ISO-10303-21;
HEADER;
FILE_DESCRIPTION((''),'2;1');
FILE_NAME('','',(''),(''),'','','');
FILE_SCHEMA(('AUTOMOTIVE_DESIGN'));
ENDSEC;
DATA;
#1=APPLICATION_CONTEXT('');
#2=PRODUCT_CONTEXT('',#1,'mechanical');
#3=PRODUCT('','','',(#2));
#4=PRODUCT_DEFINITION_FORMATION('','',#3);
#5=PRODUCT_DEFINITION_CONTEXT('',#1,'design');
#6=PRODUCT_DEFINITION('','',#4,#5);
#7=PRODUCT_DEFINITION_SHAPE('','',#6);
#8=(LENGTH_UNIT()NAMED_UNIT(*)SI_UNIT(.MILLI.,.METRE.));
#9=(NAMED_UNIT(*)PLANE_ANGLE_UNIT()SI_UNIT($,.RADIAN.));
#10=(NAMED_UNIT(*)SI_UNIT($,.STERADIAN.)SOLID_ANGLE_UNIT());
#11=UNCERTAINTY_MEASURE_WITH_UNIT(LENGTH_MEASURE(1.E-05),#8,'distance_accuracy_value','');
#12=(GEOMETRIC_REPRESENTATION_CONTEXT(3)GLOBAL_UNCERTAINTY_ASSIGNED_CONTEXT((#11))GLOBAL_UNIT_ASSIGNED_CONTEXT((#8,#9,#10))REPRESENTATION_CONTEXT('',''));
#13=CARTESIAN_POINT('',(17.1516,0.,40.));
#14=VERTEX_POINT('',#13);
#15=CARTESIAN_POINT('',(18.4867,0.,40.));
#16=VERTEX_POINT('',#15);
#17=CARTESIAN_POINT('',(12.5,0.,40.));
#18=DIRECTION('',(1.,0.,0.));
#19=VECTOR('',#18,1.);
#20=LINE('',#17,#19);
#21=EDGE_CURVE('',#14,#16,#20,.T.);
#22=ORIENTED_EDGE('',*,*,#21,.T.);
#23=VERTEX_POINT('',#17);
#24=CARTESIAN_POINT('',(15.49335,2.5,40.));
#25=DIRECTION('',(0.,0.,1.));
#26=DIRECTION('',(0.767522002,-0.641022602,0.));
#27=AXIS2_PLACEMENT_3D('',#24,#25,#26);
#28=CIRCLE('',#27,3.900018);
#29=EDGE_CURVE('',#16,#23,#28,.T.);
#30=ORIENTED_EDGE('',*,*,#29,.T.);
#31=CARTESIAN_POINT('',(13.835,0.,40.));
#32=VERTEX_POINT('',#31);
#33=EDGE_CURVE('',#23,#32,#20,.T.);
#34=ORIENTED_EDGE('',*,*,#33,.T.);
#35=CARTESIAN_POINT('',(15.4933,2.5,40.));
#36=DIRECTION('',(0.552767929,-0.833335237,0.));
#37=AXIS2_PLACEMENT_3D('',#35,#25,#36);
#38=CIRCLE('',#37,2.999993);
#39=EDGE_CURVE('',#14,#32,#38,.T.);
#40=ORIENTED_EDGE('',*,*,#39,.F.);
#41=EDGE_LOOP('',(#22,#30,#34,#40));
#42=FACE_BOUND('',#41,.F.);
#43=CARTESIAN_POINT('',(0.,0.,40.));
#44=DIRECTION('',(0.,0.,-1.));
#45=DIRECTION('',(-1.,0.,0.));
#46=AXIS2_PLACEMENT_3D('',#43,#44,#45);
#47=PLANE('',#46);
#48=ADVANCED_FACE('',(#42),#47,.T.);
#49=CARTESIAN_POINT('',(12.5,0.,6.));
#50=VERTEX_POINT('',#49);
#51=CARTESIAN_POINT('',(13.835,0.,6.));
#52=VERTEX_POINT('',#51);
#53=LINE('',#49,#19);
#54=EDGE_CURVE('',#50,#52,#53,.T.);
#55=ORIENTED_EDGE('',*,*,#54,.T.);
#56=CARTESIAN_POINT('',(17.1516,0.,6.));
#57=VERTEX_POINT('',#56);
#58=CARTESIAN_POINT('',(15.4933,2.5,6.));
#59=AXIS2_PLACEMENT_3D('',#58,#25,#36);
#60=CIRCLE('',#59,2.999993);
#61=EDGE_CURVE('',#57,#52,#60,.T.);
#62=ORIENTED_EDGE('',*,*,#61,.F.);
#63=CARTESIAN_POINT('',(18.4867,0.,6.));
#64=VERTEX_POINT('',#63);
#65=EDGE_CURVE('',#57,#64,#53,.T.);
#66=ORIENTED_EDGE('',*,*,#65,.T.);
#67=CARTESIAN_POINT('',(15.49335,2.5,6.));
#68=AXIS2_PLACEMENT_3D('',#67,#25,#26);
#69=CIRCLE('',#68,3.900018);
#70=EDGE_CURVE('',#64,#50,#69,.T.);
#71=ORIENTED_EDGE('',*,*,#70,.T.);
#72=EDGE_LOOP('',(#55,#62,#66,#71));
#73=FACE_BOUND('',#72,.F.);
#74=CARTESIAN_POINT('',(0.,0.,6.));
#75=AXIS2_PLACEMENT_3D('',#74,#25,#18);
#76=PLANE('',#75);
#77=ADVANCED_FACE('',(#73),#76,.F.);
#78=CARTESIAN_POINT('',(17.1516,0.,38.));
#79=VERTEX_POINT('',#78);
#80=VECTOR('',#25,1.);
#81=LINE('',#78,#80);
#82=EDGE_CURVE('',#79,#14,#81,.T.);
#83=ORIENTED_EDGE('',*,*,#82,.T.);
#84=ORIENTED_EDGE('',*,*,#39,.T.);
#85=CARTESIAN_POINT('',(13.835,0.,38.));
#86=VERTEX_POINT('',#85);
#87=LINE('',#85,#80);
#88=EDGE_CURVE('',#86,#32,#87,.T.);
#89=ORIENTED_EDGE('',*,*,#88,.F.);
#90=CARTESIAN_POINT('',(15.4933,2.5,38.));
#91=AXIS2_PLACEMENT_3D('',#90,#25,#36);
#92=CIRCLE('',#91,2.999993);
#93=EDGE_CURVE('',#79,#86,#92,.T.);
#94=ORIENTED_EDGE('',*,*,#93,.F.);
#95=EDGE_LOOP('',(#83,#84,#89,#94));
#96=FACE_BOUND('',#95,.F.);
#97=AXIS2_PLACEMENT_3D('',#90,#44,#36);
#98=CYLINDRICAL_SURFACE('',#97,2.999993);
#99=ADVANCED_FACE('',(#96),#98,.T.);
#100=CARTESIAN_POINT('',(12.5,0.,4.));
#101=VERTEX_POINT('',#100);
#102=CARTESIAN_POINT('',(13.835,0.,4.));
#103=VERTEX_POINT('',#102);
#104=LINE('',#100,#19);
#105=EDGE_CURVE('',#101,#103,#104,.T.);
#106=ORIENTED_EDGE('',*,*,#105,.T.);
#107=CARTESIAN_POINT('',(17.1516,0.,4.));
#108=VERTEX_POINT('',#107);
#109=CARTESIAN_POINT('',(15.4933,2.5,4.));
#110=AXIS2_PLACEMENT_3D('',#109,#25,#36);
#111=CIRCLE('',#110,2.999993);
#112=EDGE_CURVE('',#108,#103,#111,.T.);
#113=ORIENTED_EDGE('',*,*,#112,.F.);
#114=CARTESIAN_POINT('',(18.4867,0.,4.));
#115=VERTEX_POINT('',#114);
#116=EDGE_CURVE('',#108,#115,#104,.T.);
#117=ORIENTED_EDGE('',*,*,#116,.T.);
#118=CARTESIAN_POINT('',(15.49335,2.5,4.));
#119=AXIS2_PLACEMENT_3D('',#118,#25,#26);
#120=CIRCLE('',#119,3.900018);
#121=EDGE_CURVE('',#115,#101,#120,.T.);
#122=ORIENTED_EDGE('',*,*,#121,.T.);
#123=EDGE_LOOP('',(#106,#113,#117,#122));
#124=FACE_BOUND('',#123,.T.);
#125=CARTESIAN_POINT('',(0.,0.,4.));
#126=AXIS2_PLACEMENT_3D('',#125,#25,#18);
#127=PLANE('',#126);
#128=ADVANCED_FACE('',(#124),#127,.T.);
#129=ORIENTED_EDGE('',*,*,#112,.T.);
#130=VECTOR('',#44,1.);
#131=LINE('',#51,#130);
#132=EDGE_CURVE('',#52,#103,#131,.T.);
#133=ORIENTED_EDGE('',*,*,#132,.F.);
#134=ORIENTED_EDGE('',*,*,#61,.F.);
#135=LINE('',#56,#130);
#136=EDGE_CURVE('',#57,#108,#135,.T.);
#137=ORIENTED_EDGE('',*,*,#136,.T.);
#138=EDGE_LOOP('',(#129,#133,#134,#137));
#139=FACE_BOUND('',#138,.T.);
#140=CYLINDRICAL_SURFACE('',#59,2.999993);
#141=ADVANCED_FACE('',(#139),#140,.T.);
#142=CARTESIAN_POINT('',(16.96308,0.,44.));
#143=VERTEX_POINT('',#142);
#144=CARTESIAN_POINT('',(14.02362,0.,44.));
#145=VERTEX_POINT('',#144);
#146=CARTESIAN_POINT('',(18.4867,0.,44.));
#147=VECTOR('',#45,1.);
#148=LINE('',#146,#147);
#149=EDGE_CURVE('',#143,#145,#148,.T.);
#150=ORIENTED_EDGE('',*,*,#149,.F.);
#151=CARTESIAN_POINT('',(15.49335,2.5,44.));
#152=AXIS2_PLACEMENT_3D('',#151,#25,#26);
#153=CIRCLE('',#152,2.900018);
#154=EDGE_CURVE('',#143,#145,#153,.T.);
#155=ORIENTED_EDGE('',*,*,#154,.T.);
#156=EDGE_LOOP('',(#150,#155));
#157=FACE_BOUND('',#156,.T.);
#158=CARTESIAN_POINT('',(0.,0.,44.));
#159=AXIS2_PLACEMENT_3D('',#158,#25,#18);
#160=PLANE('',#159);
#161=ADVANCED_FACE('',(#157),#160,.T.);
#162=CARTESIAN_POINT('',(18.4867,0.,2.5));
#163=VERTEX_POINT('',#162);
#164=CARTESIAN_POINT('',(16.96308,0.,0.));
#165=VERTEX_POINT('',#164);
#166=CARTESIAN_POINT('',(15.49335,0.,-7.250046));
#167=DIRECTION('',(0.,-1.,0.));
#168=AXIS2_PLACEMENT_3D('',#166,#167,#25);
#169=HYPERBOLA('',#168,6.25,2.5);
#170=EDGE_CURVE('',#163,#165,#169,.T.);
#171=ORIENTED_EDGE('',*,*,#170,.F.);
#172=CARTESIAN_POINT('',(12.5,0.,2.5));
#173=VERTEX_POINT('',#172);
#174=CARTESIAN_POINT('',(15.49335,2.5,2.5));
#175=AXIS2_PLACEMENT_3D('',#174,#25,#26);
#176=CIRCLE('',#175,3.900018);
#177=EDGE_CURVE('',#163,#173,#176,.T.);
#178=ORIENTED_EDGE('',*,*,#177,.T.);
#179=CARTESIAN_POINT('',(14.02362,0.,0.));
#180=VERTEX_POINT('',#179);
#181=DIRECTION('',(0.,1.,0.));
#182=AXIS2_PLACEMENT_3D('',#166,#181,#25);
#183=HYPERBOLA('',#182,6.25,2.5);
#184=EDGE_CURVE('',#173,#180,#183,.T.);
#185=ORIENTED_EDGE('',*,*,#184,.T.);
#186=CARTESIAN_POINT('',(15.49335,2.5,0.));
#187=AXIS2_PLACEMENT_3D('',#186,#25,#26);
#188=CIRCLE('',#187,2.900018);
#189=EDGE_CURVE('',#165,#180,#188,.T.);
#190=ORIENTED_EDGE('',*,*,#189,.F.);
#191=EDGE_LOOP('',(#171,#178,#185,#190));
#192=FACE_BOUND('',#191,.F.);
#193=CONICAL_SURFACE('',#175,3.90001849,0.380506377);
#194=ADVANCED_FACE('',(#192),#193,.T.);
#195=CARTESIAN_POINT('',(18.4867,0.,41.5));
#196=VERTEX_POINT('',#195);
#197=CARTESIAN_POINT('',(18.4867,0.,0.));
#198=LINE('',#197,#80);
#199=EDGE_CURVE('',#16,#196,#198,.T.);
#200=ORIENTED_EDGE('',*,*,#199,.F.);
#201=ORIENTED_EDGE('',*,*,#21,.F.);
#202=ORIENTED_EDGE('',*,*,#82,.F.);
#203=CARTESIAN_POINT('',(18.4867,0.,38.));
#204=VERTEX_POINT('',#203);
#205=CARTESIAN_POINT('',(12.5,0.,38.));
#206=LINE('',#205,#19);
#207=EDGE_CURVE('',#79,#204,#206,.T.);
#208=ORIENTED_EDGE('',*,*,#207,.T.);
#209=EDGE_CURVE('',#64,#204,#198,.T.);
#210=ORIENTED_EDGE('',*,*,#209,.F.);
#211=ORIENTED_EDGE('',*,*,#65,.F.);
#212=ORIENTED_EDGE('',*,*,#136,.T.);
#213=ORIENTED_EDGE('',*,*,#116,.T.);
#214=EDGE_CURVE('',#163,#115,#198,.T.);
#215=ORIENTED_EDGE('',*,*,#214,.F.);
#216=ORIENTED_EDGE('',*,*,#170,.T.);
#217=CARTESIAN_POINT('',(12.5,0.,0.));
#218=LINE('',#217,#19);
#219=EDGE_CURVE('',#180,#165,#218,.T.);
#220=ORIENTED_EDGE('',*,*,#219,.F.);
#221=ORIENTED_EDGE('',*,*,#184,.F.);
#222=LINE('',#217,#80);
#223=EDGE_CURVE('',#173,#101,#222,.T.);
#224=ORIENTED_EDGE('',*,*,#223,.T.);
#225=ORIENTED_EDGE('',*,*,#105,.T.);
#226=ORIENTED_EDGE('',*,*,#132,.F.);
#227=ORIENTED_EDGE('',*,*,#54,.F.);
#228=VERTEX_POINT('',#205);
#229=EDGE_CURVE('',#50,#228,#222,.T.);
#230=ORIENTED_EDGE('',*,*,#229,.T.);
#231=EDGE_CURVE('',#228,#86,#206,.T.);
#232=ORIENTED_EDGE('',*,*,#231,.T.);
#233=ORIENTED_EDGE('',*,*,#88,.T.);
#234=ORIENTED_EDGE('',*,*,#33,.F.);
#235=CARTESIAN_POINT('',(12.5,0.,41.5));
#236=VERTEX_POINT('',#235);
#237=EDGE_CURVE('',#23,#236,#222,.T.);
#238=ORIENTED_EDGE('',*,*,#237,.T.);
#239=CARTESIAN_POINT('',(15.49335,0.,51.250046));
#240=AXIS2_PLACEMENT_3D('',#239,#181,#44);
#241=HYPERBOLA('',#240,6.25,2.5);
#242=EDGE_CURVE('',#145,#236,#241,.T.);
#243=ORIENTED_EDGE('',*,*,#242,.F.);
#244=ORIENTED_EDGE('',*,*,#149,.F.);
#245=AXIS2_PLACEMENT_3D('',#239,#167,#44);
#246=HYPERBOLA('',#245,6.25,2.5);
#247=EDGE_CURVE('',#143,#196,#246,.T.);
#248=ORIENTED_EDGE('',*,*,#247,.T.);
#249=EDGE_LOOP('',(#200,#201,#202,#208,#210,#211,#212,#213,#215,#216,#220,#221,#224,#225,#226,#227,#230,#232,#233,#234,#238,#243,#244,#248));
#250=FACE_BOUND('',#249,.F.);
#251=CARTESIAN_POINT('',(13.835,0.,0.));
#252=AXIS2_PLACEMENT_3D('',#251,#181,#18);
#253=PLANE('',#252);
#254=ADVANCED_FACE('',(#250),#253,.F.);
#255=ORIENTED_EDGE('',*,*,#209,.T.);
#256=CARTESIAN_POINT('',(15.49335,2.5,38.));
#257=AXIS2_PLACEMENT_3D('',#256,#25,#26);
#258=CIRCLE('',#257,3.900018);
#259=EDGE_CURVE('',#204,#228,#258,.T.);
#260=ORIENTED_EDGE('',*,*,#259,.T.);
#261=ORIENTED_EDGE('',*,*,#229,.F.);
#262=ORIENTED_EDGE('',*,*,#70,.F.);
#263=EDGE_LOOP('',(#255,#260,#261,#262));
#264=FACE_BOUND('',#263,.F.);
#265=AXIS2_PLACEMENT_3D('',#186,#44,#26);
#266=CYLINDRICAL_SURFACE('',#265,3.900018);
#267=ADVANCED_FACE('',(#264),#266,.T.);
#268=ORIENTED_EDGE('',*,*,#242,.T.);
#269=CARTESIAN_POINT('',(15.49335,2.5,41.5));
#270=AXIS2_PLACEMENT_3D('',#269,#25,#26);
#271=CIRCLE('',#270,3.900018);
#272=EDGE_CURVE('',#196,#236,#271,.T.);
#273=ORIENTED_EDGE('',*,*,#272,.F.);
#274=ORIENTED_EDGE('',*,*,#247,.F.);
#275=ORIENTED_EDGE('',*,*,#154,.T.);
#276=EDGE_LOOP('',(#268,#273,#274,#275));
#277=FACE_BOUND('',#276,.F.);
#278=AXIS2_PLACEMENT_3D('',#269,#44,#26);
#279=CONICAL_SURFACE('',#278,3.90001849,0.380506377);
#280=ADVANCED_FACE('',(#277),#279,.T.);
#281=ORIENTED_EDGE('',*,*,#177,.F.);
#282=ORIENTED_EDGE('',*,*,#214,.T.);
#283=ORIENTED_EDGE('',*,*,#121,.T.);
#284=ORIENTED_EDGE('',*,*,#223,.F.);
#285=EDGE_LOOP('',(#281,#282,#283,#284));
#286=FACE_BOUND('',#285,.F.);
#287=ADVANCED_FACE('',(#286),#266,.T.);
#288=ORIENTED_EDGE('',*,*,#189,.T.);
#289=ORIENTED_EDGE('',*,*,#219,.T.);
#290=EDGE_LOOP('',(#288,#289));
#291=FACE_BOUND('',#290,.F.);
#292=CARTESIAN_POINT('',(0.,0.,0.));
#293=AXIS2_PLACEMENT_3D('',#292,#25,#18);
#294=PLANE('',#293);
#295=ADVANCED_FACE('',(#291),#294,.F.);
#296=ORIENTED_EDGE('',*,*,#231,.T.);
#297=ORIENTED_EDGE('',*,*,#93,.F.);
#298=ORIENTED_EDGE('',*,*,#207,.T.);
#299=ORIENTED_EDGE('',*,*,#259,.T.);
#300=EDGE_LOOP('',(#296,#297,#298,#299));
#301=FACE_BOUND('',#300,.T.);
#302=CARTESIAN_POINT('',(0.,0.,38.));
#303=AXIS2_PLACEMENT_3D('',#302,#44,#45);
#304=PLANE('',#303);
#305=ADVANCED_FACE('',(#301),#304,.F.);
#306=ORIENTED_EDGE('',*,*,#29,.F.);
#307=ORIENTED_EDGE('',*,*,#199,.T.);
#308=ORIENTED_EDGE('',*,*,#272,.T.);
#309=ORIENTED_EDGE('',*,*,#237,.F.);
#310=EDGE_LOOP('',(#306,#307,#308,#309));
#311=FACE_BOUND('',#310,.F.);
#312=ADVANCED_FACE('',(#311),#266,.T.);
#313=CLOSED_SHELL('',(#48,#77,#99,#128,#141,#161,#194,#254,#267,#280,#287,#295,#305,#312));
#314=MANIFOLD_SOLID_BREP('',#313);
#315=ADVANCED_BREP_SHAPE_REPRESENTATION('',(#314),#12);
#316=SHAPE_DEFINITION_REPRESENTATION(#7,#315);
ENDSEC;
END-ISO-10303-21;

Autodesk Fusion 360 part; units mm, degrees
sketch "Sketch1" plane through (0, 0, 0) normal (0, 0, 1) x (1, 0, 0)
  line L0 (0, 0) -> (5.9867, 0)
  arc A0 (5.9867, 0) -> (0, 0) centre (2.9933, 2.5) ccw
  arc A1 (4.6516, 0) -> (1.335, 0) centre (2.9933, 2.5) ccw
  arc A2 (17.1516, 0) -> (13.835, 0) centre (15.4933, 2.5) ccw
  line L1 (12.5, 0) -> (18.4867, 0)
  arc A3 (18.4867, 0) -> (12.5, 0) centre (15.4933, 2.5) ccw
  arc A4 (29.6516, 0) -> (26.335, 0) centre (27.9933, 2.5) ccw
  line L2 (25, 0) -> (30.9867, 0)
  arc A5 (30.9867, 0) -> (25, 0) centre (27.9933, 2.5) ccw
  point P0 (12.5, 0)
  point P1 (25, 0)
  dimension "d1" = 3.9
  dimension "d2" = 2.5
  dimension "d13" = 6
  dimension "d16" = 25
  dimension "d17" = 0
extrude "Extrude1" add sketch "Sketch1" along normal blind 102 contours L0 A0 A1 | L0 A1 makes body 1
extrude "Extrude2" cut sketch "Sketch1" against normal blind 2 from surface at 6 contours L0 A0 A1 bodies 1
ref_plane "WorkPlane1" through (2.9933, 3.9289, 51) normal (0, 0, 1) x (1, 0, 0)
mirror "Mirror1" about plane through (2.9933, 3.9289, 51) normal (0, 0, 1) of "Extrude2"
extrude "Extrude3" add sketch "Sketch1" along normal blind 44 separate body contours A2 L1 | A2 L1 A3 makes body 2
extrude "Extrude4" cut sketch "Sketch1" against normal blind 2 from surface at 6 contours A2 L1 A3 bodies 2
ref_plane "WorkPlane2" through (15.4933, 3.9289, 22) normal (0, 0, 1) x (1, 0, 0)
mirror "Mirror2" about plane through (15.4933, 3.9289, 22) normal (0, 0, 1) of "Extrude4"
chamfer "Chamfer3" distance 2.5 distance2 1 1 edges at (15.4933, 6.4, 0) measured on face at (12.3817, 0.1488, 2.6667) on bodies 1 2
chamfer "Chamfer3" distance 2.5 distance2 1 1 edges at (2.9933, 6.4, 0) measured on face at (-0.1183, 0.1488, 2.6667) on bodies 1 2
chamfer "Chamfer3" distance 1 distance2 2.5 2 edges at (15.4933, 6.4, 44) (2.9933, 6.4, 102) measured on face at (16.772, 1.0681, 44) measured on face at (3.5688, 2.2017, 102) on bodies 1 2
hidden bodies 1
equation "d7 = Long_Pin + End_Thickness * 2"
equation "C_Clip_Thickness = 2 mm"
equation "End_Thickness = 4 mm + C_Clip_Thickness"
equation "Long_Pin = 90 mm"
equation "Short_Pin = 32 mm"
equation "d18 = End_Thickness"
equation "d19 = -C_Clip_Thickness"
equation "d25 = Short_Pin + End_Thickness * 2"
equation "d27 = End_Thickness"
equation "d28 = -C_Clip_Thickness"
